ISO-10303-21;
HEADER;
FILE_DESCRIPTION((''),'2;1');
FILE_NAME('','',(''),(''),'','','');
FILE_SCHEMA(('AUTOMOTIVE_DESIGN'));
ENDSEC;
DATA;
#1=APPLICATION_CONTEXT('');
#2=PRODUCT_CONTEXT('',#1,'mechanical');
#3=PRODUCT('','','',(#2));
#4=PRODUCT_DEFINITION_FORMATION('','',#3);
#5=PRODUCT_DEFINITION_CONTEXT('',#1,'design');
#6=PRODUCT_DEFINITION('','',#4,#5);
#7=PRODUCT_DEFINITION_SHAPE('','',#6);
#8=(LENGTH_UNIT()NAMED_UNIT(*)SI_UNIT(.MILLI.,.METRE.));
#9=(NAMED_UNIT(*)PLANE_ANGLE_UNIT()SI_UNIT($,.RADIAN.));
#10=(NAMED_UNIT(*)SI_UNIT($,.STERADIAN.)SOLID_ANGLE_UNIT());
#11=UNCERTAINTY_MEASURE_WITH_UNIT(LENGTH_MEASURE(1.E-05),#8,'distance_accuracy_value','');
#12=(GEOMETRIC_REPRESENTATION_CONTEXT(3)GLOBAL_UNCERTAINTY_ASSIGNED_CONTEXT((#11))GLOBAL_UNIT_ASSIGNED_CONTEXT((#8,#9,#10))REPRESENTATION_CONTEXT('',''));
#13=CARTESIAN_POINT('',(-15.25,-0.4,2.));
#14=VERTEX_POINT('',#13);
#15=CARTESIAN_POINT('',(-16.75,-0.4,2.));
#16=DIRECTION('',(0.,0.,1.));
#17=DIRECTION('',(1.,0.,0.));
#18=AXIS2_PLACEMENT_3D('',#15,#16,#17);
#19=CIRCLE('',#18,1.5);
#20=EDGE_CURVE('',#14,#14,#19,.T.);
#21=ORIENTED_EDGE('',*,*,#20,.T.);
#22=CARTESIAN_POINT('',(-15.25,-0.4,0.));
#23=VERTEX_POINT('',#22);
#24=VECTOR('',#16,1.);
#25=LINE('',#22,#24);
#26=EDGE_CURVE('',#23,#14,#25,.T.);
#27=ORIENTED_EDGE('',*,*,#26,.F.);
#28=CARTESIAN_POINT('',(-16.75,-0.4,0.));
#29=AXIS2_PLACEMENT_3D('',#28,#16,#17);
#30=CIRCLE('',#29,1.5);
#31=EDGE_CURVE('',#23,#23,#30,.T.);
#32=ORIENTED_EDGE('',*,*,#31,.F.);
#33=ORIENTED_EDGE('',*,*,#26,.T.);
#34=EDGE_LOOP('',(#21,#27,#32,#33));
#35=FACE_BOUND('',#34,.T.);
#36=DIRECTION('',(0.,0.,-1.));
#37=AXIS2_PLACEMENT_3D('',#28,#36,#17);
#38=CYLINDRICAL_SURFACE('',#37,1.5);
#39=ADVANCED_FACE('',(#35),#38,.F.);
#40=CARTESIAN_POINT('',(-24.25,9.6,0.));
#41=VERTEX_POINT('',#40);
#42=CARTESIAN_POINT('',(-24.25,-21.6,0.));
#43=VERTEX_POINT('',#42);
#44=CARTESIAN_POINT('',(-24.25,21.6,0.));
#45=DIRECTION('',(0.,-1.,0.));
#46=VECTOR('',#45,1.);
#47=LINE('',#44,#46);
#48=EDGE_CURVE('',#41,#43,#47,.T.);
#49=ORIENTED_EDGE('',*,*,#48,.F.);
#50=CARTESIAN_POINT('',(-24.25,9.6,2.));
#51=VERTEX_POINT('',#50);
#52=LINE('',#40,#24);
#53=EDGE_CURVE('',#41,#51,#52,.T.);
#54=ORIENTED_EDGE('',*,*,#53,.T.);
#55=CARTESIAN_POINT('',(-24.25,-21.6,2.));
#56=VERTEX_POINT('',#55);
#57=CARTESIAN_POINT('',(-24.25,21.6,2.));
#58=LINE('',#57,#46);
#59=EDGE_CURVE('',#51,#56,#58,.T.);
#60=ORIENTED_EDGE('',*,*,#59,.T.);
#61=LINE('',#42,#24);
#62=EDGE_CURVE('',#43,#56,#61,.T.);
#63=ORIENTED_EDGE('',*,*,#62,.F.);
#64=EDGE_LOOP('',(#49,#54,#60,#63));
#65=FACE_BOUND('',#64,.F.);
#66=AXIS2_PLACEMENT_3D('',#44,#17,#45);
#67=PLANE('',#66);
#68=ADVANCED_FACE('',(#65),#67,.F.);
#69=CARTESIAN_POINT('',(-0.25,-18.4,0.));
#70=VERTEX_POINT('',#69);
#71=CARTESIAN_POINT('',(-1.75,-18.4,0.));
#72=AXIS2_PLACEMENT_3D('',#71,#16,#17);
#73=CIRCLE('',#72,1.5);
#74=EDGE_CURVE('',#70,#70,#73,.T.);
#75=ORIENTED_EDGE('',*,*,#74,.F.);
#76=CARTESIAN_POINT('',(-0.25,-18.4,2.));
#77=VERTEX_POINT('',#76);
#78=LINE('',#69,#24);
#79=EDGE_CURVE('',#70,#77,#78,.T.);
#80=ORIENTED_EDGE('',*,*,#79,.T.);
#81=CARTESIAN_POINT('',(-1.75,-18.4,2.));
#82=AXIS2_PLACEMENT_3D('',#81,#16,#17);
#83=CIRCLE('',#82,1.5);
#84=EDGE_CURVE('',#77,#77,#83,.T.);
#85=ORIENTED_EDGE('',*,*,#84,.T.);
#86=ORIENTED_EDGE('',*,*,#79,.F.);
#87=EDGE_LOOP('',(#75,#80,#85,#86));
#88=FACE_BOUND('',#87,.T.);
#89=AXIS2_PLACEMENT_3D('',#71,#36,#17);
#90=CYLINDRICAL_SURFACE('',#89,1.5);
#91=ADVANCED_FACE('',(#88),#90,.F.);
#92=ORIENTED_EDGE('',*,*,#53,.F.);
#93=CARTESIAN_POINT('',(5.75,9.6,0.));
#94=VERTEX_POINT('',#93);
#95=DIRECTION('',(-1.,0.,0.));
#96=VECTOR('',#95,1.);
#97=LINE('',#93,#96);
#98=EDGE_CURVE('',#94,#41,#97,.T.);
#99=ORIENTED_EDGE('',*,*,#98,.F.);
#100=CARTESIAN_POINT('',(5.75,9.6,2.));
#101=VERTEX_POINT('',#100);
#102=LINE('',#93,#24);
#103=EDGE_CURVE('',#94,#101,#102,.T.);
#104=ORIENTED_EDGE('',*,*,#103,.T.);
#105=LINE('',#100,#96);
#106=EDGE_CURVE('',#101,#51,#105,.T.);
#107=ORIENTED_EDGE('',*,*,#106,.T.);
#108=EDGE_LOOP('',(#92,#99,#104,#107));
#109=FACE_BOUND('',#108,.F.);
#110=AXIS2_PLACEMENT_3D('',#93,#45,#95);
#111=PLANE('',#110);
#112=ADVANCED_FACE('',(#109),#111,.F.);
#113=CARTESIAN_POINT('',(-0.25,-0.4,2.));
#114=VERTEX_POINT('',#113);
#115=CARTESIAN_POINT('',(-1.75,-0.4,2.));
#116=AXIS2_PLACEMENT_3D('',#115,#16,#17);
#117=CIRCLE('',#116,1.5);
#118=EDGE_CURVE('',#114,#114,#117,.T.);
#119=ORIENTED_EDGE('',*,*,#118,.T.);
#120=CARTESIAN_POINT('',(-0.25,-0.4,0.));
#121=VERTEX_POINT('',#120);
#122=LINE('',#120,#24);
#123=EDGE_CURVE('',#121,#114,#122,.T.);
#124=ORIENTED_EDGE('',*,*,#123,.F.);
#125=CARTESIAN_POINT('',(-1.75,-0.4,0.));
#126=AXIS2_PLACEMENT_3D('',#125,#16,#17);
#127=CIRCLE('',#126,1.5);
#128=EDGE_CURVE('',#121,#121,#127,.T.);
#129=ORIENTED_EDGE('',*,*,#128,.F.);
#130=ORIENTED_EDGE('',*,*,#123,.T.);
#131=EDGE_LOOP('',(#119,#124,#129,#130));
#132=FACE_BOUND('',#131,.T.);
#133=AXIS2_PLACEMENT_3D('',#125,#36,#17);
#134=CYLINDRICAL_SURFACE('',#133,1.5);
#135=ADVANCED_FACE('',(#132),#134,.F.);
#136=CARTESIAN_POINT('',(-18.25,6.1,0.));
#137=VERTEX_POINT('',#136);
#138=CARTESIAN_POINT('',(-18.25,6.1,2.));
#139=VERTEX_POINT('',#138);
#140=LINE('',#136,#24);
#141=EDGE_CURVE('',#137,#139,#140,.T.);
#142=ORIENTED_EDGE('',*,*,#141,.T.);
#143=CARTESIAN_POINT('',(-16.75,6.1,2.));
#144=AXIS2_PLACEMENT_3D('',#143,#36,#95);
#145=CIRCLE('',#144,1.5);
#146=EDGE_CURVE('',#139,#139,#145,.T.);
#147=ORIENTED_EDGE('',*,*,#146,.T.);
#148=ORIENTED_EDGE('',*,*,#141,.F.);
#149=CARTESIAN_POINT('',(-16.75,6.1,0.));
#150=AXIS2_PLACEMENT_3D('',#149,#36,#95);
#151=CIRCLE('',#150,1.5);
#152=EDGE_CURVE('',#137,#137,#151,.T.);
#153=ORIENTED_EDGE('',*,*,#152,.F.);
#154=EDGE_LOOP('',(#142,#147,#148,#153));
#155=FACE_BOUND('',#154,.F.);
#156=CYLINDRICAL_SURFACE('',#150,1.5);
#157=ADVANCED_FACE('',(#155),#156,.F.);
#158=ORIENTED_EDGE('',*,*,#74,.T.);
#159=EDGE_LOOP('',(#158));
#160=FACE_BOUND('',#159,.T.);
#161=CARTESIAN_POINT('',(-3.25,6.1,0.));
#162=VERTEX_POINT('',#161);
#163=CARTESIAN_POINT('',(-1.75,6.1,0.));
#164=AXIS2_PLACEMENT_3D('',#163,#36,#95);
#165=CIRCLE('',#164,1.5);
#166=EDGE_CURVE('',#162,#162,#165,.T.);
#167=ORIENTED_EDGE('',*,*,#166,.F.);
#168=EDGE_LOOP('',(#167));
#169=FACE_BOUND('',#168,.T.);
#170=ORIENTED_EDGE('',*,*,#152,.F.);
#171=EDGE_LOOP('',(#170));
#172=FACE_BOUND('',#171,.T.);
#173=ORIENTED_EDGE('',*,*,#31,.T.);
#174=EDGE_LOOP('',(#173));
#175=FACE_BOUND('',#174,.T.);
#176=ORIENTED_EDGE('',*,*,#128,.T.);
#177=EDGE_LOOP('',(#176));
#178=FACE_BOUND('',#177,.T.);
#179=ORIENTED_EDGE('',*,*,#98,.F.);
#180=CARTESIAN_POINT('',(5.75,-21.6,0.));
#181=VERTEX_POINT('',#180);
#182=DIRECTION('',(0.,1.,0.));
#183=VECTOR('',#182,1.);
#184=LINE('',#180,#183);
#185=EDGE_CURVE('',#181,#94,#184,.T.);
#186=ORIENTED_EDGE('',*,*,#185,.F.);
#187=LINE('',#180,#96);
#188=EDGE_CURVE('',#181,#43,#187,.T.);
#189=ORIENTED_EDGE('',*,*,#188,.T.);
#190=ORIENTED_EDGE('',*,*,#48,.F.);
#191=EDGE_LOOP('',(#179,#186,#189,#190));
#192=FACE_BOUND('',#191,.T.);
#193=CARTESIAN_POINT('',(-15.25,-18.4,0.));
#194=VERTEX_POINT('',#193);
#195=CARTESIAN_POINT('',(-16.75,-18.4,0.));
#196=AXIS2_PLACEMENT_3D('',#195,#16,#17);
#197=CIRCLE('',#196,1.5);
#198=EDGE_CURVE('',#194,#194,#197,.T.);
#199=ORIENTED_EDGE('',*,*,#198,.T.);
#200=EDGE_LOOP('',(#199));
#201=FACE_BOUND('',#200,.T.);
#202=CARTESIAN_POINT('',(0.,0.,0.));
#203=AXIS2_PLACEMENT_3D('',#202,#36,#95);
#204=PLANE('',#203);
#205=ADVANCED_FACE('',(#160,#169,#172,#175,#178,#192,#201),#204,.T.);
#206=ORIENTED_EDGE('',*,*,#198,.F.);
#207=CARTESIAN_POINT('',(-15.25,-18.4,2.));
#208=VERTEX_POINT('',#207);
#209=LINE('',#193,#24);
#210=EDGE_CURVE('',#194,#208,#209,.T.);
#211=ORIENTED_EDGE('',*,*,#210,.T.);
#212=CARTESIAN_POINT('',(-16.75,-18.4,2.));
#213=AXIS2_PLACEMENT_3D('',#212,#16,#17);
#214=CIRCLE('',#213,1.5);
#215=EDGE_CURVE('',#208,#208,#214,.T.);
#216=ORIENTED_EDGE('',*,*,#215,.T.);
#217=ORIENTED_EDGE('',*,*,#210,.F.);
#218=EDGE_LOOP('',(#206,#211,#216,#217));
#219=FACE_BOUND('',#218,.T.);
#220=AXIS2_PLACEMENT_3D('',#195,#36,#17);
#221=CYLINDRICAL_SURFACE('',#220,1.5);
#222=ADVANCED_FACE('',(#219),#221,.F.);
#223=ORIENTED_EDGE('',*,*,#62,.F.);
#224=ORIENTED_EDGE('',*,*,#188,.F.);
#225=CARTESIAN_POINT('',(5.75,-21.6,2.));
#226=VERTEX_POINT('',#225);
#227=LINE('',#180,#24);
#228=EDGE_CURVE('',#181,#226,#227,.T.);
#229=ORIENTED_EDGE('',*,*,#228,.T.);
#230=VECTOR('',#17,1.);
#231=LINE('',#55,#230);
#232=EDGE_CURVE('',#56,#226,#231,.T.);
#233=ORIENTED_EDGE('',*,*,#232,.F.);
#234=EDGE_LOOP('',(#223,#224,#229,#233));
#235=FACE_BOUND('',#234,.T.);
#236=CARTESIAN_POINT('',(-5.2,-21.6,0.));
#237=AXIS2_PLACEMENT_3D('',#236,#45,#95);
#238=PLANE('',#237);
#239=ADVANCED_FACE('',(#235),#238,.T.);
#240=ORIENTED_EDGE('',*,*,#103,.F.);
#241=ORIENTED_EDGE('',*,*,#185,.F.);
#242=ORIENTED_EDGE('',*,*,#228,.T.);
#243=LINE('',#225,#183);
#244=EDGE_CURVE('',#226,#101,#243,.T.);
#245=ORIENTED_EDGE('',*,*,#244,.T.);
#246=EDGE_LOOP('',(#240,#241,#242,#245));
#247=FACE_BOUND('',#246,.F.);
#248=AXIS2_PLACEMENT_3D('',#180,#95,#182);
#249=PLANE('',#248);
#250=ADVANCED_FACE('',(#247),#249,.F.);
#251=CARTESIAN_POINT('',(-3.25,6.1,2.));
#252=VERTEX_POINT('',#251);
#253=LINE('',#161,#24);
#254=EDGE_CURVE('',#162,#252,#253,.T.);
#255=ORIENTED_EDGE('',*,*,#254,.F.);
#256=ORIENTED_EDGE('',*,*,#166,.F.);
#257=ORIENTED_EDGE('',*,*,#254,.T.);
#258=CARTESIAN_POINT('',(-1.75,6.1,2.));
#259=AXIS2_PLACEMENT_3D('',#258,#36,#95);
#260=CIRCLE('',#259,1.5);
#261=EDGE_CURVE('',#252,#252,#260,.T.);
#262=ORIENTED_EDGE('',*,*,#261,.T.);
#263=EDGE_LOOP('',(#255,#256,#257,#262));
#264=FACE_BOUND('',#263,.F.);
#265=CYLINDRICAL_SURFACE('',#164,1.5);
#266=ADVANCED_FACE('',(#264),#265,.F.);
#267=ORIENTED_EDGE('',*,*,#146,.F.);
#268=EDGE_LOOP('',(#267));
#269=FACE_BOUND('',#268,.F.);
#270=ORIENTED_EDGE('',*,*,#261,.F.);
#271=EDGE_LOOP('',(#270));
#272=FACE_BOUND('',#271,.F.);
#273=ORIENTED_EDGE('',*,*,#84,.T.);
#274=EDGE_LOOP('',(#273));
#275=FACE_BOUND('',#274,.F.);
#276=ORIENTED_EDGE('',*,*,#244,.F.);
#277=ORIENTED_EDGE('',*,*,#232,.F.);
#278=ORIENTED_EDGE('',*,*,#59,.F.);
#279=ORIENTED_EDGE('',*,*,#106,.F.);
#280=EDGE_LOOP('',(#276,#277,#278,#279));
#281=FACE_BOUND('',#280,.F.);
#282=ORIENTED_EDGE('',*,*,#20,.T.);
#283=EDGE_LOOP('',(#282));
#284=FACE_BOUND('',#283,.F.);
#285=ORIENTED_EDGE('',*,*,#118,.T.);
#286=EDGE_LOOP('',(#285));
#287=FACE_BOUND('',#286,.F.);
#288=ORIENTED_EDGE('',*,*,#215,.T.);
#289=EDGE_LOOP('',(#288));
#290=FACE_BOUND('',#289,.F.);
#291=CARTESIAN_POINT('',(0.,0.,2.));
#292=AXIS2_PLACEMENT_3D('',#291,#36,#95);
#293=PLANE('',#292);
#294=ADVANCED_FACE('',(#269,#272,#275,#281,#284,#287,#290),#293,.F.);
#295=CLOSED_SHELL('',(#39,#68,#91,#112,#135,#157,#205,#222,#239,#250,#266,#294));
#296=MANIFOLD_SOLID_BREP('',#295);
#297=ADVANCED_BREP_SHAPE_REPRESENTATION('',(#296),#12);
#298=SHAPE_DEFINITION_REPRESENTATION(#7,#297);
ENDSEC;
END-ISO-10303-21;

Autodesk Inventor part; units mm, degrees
ref_plane "YZ Plane" through (0, 0, 0) normal (1, 0, 0) x (0, 1, 0)
ref_plane "XZ Plane" through (0, 0, 0) normal (0, 1, 0) x (-1, 0, 0)
ref_plane "XY Plane" through (0, 0, 0) normal (0, 0, 1) x (1, 0, 0)
sketch "Sketch1" plane through (0, 0, 0) normal (0, 0, 1) x (1, 0, 0)
  line L0 (5.75, -21.6) -> (5.75, 21.6) projected
  line L1 (5.75, 21.6) -> (-5.75, 21.6) projected
  line L2 (-5.75, 21.6) -> (-5.75, -21.6) projected
  line L3 (-5.75, -21.6) -> (5.75, -21.6) projected
  circle A0 centre (-1.75, -18.4) radius 1.5 projected
  circle A1 centre (-1.75, 17.6) radius 1.5 projected
  circle A2 centre (-1.75, -0.4) radius 1.5 projected
  line L4 (-12.75, -21.6) -> (-12.75, 21.6) projected
  line L5 (-12.75, 21.6) -> (-24.25, 21.6) projected
  line L6 (-24.25, 21.6) -> (-24.25, -21.6) projected
  line L7 (-24.25, -21.6) -> (-12.75, -21.6) projected
  circle A3 centre (-16.75, 17.6) radius 1.5 projected
  circle A4 centre (-16.75, -0.4) radius 1.5 projected
  circle A5 centre (-16.75, -18.4) radius 1.5 projected
  line L8 (5.75, -21.6) -> (-24.25, -21.6)
  line L9 (-24.25, -21.6) -> (-24.25, 21.6)
  line L10 (-24.25, 21.6) -> (5.75, 21.6)
  line L11 (5.75, 21.6) -> (5.75, -21.6)
  point P0 (0, 0)
extrude "Extrusion1" add sketch "Sketch1" along normal blind 2
sketch "Sketch2" plane through (0, 0, 0) normal (0, 0, -1) x (-1, 0, 0)
  line L0 (-5.75, -21.6) -> (-5.75, 21.6) projected
  line L1 (24.25, -21.6) -> (-5.75, -21.6) projected
  line L2 (24.25, 21.6) -> (24.25, -21.6) projected
  line L3 (-5.75, 21.6) -> (24.25, 21.6) projected
  circle A0 centre (16.75, -18.4) radius 1.5 projected
  circle A1 centre (16.75, -0.4) radius 1.5 projected
  circle A2 centre (16.75, 17.6) radius 1.5 projected
  circle A3 centre (1.75, -0.4) radius 1.5 projected
  circle A4 centre (1.75, 17.6) radius 1.5 projected
  circle A5 centre (1.75, -18.4) radius 1.5 projected
  line L4 (5.2, 10.6) -> (5.2, -18.6)
  line L5 (-5.75, 10.6) -> (5.2, 10.6)
  line L6 (-5.75, -21.6) -> (-5.75, 21.6) projected
  line L7 (24.25, -18.6) -> (24.25, 10.6)
  line L8 (13.3, -18.6) -> (13.3, 10.6)
  line L9 (5.2, -18.6) -> (5.2, -21.6)
  line L10 (13.3, -21.6) -> (13.3, -18.6)
  line L11 (13.3, 10.6) -> (24.25, 10.6)
  line L12 (-5.75, 10.6) -> (5.2, 10.6)
  circle A6 centre (1.75, -0.4) radius 1.75
  circle A7 centre (1.75, 6.1) radius 1.5
  circle A8 centre (16.75, 6.1) radius 1.5
  circle A9 centre (16.75, -0.4) radius 1.75
  point P0 (0, 0)
  point P1 (18.2695, -1.2681)
extrude "Extrusion2" cut sketch "Sketch2" against normal blind 10 contours L0 L3 L2 L11 L8 L10 L1 L9 L4 L5 | A7 | A8
sketch "Sketch3" plane through (0, 0, 0) normal (0, 0, -1) x (-1, 0, 0)
  line L0 (5.2, -21.6) -> (-5.75, -21.6) projected
  line L1 (13.3, 10.6) -> (24.25, 10.6)
  line L2 (24.25, -9.4) -> (24.25, 8.7)
  line L3 (24.25, -18.6) -> (24.25, 10.6)
  line L4 (-5.75, -21.6) -> (-5.75, 10.6) projected
  line L5 (24.25, 10.6) -> (24.25, -21.6) projected
  line L6 (24.25, 10.6) -> (-5.75, 10.6)
  line L7 (-5.75, 10.6) -> (-5.75, -21.6)
  line L8 (-5.75, -21.6) -> (24.25, -21.6)
  line L9 (24.25, -21.6) -> (24.25, 10.6)
  line L10 (5.2, -21.6) -> (5.2, 10.6) projected
  line L11 (13.3, 10.6) -> (13.3, -21.6) projected
  point P0 (0, 0)
extrude "Extrusion3" add sketch "Sketch3" against normal blind 2 contours L10 L6 L11 L8
sketch "Sketch4" plane through (0, 0, 0) normal (0, 0, -1) x (-1, 0, 0)
  circle A0 centre (1.75, -18.4) radius 1.5 projected
  circle A1 centre (1.75, -0.4) radius 1.5 projected
  circle A2 centre (1.75, 6.1) radius 1.5 projected
  line L0 (24.25, -21.6) -> (-5.75, -21.6) projected
  line L1 (24.25, 10.6) -> (24.25, -21.6) projected
  line L2 (24.25, 10.6) -> (-5.75, 10.6) projected
  line L3 (-5.75, -21.6) -> (-5.75, 10.6) projected
  circle A3 centre (16.75, 6.1) radius 1.5 projected
  circle A4 centre (16.75, -18.4) radius 1.5 projected
  circle A5 centre (16.75, -0.4) radius 1.5 projected
  line L4 (-5.75, 10.6) -> (24.25, 10.6) projected
  line L5 (-5.75, -21.6) -> (-5.75, 10.6) projected
  line L6 (24.25, 10.6) -> (-5.75, 10.6)
  line L7 (-5.75, 10.6) -> (-5.75, 9.6)
  line L8 (-5.75, 9.6) -> (24.25, 9.6)
  line L9 (24.25, 9.6) -> (24.25, 10.6)
  point P0 (0, 0)
  dimension "d6" = 1
extrude "Extrusion4" cut sketch "Sketch4" against normal blind 2 contours L8 L3 L2 L1
properties part number "lead_3" material "Lead"
